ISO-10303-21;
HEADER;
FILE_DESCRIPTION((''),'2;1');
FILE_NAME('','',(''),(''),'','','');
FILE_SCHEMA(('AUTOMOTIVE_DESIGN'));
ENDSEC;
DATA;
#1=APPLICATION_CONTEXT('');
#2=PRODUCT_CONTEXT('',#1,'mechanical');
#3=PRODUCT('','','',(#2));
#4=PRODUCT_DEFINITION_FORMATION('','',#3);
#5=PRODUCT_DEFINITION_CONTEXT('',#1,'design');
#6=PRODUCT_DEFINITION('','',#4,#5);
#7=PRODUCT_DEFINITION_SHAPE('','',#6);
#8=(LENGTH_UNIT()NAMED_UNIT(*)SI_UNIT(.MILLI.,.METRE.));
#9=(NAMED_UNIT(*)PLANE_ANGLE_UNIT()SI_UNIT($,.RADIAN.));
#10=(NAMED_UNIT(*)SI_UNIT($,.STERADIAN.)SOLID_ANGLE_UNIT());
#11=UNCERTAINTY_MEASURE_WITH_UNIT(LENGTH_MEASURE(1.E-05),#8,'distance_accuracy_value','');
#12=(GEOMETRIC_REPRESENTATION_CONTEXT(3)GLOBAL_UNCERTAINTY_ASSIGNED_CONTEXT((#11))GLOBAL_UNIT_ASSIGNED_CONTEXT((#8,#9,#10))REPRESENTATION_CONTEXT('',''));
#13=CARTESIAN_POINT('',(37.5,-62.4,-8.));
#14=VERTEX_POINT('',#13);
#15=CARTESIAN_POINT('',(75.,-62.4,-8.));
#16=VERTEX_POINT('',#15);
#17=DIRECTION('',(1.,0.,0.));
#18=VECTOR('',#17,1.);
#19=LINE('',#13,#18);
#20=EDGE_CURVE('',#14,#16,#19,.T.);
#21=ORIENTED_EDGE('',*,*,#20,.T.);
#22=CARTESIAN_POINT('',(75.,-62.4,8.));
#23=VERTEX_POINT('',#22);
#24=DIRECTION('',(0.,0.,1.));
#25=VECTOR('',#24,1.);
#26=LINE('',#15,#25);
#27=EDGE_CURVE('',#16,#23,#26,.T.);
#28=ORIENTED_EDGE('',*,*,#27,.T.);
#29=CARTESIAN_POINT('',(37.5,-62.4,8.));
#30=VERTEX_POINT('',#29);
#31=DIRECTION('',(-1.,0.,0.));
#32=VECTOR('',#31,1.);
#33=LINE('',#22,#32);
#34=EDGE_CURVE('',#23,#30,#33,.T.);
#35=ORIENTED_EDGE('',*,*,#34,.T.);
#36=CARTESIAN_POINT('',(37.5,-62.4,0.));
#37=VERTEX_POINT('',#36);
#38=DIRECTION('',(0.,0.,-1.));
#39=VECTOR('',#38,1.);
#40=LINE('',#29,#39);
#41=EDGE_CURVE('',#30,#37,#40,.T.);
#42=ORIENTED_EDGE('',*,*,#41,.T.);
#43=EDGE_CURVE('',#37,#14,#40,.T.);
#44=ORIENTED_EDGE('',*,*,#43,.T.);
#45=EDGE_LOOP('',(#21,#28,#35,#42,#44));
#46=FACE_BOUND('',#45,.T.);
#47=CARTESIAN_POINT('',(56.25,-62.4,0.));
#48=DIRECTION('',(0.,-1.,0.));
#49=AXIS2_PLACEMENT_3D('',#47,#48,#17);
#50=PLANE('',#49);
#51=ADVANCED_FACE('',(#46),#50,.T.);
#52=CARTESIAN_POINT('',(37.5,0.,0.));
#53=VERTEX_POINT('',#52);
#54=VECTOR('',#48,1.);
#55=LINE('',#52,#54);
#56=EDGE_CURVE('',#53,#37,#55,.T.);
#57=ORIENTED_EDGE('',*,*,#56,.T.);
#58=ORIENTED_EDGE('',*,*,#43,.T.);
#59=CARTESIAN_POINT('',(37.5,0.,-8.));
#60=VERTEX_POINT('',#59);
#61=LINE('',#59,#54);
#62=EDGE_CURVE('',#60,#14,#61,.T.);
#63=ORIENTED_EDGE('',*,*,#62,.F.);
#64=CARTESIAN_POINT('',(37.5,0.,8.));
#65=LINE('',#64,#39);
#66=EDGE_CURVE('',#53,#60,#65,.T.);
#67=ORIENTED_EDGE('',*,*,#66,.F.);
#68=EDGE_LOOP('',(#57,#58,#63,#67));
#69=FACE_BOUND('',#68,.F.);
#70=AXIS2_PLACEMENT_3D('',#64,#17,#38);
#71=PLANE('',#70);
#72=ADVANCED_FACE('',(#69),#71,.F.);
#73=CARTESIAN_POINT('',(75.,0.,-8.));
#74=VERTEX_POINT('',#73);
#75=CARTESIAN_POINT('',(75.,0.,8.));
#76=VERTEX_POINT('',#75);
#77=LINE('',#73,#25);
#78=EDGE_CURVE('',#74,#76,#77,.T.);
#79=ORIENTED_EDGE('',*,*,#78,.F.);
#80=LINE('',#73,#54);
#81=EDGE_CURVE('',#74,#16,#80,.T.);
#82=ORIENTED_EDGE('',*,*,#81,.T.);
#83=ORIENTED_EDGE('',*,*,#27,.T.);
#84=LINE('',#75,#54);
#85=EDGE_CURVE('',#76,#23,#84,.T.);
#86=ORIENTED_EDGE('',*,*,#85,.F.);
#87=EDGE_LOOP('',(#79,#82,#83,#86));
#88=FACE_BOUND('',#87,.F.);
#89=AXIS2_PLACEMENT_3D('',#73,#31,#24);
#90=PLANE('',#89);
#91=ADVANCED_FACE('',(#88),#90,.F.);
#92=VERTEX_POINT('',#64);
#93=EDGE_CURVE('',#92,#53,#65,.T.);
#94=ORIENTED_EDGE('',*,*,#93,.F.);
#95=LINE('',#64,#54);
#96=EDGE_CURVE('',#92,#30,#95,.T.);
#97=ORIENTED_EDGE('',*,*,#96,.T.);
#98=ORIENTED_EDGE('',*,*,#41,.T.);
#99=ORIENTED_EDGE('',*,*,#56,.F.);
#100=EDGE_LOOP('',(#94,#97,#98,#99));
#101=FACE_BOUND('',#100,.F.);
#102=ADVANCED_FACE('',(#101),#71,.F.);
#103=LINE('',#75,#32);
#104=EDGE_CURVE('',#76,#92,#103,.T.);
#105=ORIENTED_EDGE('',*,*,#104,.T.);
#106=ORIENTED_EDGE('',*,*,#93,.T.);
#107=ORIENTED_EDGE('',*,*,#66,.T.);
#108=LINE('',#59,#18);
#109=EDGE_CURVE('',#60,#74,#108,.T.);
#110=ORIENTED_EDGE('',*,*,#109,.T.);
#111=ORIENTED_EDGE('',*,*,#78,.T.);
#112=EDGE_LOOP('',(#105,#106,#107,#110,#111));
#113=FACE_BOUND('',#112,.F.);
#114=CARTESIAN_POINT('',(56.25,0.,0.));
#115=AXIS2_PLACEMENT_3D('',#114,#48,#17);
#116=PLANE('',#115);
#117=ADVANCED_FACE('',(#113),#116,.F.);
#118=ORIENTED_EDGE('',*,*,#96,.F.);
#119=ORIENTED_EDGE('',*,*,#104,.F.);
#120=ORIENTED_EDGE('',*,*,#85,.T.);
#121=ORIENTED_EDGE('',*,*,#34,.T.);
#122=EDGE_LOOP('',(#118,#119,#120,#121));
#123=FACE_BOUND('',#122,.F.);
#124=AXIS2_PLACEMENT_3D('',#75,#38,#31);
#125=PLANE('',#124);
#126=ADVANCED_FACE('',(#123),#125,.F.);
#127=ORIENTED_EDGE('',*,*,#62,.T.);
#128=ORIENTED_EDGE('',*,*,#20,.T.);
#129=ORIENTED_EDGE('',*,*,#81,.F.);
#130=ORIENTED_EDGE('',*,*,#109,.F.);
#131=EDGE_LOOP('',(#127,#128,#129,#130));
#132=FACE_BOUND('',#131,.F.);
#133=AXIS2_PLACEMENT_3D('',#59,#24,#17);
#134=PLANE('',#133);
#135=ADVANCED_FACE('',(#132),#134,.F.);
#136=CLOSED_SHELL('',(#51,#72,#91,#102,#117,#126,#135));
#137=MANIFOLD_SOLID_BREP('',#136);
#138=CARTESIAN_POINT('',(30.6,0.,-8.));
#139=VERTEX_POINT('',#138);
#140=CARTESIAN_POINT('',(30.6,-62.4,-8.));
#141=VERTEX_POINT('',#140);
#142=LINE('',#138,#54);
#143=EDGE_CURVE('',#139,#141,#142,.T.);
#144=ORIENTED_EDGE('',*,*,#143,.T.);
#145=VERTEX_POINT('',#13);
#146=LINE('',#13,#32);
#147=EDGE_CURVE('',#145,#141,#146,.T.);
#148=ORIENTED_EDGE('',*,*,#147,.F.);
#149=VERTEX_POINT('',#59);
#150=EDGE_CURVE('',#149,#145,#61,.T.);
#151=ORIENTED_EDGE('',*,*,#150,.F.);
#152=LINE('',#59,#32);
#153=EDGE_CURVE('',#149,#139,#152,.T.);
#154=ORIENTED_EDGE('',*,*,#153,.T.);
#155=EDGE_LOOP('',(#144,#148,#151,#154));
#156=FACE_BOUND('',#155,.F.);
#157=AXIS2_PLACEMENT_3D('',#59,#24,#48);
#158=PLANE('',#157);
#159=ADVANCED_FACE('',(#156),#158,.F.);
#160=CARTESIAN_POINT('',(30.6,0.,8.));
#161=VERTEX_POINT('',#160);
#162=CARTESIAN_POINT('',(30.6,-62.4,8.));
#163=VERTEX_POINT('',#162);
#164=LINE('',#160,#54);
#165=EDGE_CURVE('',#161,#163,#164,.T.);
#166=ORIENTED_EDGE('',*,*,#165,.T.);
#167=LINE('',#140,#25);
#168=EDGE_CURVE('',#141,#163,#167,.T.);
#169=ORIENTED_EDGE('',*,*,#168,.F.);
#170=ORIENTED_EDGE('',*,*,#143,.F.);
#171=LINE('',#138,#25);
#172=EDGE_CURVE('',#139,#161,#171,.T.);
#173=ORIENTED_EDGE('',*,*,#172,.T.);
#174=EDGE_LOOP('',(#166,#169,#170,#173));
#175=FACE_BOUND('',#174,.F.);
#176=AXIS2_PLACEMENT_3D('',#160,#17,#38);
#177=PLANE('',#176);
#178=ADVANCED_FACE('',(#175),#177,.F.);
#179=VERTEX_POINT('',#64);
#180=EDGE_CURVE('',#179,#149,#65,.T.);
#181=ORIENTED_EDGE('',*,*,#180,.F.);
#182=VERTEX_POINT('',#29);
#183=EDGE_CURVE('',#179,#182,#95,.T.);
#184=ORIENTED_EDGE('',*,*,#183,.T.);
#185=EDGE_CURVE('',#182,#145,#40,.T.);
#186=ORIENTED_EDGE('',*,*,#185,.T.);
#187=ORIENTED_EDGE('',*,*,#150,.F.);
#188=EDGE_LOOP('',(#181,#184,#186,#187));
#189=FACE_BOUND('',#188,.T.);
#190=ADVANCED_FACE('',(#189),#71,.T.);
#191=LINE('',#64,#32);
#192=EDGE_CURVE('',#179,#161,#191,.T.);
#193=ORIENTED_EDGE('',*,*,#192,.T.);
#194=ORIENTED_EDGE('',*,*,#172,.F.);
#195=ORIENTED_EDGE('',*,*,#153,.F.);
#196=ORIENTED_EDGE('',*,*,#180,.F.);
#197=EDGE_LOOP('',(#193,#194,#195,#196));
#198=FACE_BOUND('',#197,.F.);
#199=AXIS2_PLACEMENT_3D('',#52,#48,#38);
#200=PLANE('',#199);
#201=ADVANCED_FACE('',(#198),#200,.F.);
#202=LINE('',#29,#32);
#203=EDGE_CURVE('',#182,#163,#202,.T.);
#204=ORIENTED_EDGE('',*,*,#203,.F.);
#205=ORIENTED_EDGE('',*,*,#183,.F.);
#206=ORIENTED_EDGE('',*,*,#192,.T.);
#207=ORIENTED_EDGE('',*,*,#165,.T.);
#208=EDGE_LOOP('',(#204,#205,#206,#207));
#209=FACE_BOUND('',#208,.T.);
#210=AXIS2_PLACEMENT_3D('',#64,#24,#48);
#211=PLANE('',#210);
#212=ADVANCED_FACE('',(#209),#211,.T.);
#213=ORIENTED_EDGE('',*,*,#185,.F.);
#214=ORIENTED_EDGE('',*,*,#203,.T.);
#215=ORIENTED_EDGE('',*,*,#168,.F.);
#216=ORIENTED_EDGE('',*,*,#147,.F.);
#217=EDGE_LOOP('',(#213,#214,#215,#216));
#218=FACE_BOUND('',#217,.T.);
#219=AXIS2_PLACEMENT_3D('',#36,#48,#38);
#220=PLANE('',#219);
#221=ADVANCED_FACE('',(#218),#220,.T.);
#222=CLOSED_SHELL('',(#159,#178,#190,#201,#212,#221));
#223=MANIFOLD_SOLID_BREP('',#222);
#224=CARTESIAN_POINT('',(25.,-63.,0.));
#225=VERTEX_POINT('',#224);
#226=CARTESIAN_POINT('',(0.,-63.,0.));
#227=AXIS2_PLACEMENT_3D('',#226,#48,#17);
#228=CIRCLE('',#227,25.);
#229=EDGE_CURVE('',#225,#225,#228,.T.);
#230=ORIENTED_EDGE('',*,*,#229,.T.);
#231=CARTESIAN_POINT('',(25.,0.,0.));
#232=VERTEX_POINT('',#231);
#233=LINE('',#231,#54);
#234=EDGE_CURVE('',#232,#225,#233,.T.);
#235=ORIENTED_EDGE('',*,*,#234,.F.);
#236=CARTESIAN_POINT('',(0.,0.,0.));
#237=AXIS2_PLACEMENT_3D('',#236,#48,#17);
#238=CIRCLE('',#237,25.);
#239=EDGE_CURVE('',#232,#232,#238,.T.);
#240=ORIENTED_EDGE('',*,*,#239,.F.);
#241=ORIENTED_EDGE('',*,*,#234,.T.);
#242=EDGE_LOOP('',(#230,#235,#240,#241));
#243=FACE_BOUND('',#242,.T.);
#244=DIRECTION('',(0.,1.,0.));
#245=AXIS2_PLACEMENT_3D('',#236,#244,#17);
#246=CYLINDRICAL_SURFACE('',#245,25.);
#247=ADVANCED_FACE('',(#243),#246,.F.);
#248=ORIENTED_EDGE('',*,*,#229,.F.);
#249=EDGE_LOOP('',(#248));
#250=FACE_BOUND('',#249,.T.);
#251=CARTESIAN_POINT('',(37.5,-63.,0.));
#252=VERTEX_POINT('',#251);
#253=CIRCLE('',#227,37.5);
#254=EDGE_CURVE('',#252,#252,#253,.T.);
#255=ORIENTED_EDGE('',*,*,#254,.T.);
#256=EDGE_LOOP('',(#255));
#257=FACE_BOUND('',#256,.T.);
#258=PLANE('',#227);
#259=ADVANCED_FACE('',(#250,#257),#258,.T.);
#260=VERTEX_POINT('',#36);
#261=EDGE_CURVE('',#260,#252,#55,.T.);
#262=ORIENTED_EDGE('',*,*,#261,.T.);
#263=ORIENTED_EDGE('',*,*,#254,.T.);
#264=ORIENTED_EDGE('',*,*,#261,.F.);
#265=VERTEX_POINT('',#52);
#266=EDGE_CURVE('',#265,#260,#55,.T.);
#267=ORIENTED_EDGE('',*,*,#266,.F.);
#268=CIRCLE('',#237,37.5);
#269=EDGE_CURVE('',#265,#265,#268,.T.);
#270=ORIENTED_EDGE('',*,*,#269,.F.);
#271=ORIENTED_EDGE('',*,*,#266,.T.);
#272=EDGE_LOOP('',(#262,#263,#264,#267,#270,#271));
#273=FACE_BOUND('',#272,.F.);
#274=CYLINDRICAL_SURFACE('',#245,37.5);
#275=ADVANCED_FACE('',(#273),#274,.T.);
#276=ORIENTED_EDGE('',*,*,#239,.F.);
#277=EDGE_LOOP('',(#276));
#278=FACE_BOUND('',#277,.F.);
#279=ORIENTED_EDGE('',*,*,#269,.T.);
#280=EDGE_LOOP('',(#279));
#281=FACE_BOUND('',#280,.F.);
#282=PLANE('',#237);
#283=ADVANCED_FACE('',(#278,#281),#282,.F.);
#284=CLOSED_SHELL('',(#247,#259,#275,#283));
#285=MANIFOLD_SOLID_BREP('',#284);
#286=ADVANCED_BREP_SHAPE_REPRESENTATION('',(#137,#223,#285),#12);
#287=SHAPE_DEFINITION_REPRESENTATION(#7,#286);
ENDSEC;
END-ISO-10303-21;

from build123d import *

# Parameters (mm, degrees)
F0_R     = 37.5
F0_R_2   = 25
F1_DEPTH = 63
F3_DEPTH = 62.4
F4_DEPTH = 6.9


with BuildPart() as f1:
    # F0 (on Front) → F1 (new body)
    with BuildSketch(Plane.XZ):
        Circle(F0_R)
        Circle(F0_R_2, mode=Mode.SUBTRACT)
    extrude(amount=F1_DEPTH)

    # F2 (on Front) → F3 (join)
    with BuildSketch(Plane.XZ):
        Polygon((75, -8), (75, 0), (75, 8), (37.5, 8), (37.5, -8), align=None)
    extrude(amount=F3_DEPTH)


with BuildPart() as f4:
    # F4 (new): faces of the model
    f4_faces = [f1.part.faces().sort_by_distance(p)[0] for p in [
        (37.5, -31.2, 4),
        (37.5, -31.2, -4),
    ]]
    extrude(f4_faces, amount=F4_DEPTH)


solid = Compound([f1.part, f4.part])
